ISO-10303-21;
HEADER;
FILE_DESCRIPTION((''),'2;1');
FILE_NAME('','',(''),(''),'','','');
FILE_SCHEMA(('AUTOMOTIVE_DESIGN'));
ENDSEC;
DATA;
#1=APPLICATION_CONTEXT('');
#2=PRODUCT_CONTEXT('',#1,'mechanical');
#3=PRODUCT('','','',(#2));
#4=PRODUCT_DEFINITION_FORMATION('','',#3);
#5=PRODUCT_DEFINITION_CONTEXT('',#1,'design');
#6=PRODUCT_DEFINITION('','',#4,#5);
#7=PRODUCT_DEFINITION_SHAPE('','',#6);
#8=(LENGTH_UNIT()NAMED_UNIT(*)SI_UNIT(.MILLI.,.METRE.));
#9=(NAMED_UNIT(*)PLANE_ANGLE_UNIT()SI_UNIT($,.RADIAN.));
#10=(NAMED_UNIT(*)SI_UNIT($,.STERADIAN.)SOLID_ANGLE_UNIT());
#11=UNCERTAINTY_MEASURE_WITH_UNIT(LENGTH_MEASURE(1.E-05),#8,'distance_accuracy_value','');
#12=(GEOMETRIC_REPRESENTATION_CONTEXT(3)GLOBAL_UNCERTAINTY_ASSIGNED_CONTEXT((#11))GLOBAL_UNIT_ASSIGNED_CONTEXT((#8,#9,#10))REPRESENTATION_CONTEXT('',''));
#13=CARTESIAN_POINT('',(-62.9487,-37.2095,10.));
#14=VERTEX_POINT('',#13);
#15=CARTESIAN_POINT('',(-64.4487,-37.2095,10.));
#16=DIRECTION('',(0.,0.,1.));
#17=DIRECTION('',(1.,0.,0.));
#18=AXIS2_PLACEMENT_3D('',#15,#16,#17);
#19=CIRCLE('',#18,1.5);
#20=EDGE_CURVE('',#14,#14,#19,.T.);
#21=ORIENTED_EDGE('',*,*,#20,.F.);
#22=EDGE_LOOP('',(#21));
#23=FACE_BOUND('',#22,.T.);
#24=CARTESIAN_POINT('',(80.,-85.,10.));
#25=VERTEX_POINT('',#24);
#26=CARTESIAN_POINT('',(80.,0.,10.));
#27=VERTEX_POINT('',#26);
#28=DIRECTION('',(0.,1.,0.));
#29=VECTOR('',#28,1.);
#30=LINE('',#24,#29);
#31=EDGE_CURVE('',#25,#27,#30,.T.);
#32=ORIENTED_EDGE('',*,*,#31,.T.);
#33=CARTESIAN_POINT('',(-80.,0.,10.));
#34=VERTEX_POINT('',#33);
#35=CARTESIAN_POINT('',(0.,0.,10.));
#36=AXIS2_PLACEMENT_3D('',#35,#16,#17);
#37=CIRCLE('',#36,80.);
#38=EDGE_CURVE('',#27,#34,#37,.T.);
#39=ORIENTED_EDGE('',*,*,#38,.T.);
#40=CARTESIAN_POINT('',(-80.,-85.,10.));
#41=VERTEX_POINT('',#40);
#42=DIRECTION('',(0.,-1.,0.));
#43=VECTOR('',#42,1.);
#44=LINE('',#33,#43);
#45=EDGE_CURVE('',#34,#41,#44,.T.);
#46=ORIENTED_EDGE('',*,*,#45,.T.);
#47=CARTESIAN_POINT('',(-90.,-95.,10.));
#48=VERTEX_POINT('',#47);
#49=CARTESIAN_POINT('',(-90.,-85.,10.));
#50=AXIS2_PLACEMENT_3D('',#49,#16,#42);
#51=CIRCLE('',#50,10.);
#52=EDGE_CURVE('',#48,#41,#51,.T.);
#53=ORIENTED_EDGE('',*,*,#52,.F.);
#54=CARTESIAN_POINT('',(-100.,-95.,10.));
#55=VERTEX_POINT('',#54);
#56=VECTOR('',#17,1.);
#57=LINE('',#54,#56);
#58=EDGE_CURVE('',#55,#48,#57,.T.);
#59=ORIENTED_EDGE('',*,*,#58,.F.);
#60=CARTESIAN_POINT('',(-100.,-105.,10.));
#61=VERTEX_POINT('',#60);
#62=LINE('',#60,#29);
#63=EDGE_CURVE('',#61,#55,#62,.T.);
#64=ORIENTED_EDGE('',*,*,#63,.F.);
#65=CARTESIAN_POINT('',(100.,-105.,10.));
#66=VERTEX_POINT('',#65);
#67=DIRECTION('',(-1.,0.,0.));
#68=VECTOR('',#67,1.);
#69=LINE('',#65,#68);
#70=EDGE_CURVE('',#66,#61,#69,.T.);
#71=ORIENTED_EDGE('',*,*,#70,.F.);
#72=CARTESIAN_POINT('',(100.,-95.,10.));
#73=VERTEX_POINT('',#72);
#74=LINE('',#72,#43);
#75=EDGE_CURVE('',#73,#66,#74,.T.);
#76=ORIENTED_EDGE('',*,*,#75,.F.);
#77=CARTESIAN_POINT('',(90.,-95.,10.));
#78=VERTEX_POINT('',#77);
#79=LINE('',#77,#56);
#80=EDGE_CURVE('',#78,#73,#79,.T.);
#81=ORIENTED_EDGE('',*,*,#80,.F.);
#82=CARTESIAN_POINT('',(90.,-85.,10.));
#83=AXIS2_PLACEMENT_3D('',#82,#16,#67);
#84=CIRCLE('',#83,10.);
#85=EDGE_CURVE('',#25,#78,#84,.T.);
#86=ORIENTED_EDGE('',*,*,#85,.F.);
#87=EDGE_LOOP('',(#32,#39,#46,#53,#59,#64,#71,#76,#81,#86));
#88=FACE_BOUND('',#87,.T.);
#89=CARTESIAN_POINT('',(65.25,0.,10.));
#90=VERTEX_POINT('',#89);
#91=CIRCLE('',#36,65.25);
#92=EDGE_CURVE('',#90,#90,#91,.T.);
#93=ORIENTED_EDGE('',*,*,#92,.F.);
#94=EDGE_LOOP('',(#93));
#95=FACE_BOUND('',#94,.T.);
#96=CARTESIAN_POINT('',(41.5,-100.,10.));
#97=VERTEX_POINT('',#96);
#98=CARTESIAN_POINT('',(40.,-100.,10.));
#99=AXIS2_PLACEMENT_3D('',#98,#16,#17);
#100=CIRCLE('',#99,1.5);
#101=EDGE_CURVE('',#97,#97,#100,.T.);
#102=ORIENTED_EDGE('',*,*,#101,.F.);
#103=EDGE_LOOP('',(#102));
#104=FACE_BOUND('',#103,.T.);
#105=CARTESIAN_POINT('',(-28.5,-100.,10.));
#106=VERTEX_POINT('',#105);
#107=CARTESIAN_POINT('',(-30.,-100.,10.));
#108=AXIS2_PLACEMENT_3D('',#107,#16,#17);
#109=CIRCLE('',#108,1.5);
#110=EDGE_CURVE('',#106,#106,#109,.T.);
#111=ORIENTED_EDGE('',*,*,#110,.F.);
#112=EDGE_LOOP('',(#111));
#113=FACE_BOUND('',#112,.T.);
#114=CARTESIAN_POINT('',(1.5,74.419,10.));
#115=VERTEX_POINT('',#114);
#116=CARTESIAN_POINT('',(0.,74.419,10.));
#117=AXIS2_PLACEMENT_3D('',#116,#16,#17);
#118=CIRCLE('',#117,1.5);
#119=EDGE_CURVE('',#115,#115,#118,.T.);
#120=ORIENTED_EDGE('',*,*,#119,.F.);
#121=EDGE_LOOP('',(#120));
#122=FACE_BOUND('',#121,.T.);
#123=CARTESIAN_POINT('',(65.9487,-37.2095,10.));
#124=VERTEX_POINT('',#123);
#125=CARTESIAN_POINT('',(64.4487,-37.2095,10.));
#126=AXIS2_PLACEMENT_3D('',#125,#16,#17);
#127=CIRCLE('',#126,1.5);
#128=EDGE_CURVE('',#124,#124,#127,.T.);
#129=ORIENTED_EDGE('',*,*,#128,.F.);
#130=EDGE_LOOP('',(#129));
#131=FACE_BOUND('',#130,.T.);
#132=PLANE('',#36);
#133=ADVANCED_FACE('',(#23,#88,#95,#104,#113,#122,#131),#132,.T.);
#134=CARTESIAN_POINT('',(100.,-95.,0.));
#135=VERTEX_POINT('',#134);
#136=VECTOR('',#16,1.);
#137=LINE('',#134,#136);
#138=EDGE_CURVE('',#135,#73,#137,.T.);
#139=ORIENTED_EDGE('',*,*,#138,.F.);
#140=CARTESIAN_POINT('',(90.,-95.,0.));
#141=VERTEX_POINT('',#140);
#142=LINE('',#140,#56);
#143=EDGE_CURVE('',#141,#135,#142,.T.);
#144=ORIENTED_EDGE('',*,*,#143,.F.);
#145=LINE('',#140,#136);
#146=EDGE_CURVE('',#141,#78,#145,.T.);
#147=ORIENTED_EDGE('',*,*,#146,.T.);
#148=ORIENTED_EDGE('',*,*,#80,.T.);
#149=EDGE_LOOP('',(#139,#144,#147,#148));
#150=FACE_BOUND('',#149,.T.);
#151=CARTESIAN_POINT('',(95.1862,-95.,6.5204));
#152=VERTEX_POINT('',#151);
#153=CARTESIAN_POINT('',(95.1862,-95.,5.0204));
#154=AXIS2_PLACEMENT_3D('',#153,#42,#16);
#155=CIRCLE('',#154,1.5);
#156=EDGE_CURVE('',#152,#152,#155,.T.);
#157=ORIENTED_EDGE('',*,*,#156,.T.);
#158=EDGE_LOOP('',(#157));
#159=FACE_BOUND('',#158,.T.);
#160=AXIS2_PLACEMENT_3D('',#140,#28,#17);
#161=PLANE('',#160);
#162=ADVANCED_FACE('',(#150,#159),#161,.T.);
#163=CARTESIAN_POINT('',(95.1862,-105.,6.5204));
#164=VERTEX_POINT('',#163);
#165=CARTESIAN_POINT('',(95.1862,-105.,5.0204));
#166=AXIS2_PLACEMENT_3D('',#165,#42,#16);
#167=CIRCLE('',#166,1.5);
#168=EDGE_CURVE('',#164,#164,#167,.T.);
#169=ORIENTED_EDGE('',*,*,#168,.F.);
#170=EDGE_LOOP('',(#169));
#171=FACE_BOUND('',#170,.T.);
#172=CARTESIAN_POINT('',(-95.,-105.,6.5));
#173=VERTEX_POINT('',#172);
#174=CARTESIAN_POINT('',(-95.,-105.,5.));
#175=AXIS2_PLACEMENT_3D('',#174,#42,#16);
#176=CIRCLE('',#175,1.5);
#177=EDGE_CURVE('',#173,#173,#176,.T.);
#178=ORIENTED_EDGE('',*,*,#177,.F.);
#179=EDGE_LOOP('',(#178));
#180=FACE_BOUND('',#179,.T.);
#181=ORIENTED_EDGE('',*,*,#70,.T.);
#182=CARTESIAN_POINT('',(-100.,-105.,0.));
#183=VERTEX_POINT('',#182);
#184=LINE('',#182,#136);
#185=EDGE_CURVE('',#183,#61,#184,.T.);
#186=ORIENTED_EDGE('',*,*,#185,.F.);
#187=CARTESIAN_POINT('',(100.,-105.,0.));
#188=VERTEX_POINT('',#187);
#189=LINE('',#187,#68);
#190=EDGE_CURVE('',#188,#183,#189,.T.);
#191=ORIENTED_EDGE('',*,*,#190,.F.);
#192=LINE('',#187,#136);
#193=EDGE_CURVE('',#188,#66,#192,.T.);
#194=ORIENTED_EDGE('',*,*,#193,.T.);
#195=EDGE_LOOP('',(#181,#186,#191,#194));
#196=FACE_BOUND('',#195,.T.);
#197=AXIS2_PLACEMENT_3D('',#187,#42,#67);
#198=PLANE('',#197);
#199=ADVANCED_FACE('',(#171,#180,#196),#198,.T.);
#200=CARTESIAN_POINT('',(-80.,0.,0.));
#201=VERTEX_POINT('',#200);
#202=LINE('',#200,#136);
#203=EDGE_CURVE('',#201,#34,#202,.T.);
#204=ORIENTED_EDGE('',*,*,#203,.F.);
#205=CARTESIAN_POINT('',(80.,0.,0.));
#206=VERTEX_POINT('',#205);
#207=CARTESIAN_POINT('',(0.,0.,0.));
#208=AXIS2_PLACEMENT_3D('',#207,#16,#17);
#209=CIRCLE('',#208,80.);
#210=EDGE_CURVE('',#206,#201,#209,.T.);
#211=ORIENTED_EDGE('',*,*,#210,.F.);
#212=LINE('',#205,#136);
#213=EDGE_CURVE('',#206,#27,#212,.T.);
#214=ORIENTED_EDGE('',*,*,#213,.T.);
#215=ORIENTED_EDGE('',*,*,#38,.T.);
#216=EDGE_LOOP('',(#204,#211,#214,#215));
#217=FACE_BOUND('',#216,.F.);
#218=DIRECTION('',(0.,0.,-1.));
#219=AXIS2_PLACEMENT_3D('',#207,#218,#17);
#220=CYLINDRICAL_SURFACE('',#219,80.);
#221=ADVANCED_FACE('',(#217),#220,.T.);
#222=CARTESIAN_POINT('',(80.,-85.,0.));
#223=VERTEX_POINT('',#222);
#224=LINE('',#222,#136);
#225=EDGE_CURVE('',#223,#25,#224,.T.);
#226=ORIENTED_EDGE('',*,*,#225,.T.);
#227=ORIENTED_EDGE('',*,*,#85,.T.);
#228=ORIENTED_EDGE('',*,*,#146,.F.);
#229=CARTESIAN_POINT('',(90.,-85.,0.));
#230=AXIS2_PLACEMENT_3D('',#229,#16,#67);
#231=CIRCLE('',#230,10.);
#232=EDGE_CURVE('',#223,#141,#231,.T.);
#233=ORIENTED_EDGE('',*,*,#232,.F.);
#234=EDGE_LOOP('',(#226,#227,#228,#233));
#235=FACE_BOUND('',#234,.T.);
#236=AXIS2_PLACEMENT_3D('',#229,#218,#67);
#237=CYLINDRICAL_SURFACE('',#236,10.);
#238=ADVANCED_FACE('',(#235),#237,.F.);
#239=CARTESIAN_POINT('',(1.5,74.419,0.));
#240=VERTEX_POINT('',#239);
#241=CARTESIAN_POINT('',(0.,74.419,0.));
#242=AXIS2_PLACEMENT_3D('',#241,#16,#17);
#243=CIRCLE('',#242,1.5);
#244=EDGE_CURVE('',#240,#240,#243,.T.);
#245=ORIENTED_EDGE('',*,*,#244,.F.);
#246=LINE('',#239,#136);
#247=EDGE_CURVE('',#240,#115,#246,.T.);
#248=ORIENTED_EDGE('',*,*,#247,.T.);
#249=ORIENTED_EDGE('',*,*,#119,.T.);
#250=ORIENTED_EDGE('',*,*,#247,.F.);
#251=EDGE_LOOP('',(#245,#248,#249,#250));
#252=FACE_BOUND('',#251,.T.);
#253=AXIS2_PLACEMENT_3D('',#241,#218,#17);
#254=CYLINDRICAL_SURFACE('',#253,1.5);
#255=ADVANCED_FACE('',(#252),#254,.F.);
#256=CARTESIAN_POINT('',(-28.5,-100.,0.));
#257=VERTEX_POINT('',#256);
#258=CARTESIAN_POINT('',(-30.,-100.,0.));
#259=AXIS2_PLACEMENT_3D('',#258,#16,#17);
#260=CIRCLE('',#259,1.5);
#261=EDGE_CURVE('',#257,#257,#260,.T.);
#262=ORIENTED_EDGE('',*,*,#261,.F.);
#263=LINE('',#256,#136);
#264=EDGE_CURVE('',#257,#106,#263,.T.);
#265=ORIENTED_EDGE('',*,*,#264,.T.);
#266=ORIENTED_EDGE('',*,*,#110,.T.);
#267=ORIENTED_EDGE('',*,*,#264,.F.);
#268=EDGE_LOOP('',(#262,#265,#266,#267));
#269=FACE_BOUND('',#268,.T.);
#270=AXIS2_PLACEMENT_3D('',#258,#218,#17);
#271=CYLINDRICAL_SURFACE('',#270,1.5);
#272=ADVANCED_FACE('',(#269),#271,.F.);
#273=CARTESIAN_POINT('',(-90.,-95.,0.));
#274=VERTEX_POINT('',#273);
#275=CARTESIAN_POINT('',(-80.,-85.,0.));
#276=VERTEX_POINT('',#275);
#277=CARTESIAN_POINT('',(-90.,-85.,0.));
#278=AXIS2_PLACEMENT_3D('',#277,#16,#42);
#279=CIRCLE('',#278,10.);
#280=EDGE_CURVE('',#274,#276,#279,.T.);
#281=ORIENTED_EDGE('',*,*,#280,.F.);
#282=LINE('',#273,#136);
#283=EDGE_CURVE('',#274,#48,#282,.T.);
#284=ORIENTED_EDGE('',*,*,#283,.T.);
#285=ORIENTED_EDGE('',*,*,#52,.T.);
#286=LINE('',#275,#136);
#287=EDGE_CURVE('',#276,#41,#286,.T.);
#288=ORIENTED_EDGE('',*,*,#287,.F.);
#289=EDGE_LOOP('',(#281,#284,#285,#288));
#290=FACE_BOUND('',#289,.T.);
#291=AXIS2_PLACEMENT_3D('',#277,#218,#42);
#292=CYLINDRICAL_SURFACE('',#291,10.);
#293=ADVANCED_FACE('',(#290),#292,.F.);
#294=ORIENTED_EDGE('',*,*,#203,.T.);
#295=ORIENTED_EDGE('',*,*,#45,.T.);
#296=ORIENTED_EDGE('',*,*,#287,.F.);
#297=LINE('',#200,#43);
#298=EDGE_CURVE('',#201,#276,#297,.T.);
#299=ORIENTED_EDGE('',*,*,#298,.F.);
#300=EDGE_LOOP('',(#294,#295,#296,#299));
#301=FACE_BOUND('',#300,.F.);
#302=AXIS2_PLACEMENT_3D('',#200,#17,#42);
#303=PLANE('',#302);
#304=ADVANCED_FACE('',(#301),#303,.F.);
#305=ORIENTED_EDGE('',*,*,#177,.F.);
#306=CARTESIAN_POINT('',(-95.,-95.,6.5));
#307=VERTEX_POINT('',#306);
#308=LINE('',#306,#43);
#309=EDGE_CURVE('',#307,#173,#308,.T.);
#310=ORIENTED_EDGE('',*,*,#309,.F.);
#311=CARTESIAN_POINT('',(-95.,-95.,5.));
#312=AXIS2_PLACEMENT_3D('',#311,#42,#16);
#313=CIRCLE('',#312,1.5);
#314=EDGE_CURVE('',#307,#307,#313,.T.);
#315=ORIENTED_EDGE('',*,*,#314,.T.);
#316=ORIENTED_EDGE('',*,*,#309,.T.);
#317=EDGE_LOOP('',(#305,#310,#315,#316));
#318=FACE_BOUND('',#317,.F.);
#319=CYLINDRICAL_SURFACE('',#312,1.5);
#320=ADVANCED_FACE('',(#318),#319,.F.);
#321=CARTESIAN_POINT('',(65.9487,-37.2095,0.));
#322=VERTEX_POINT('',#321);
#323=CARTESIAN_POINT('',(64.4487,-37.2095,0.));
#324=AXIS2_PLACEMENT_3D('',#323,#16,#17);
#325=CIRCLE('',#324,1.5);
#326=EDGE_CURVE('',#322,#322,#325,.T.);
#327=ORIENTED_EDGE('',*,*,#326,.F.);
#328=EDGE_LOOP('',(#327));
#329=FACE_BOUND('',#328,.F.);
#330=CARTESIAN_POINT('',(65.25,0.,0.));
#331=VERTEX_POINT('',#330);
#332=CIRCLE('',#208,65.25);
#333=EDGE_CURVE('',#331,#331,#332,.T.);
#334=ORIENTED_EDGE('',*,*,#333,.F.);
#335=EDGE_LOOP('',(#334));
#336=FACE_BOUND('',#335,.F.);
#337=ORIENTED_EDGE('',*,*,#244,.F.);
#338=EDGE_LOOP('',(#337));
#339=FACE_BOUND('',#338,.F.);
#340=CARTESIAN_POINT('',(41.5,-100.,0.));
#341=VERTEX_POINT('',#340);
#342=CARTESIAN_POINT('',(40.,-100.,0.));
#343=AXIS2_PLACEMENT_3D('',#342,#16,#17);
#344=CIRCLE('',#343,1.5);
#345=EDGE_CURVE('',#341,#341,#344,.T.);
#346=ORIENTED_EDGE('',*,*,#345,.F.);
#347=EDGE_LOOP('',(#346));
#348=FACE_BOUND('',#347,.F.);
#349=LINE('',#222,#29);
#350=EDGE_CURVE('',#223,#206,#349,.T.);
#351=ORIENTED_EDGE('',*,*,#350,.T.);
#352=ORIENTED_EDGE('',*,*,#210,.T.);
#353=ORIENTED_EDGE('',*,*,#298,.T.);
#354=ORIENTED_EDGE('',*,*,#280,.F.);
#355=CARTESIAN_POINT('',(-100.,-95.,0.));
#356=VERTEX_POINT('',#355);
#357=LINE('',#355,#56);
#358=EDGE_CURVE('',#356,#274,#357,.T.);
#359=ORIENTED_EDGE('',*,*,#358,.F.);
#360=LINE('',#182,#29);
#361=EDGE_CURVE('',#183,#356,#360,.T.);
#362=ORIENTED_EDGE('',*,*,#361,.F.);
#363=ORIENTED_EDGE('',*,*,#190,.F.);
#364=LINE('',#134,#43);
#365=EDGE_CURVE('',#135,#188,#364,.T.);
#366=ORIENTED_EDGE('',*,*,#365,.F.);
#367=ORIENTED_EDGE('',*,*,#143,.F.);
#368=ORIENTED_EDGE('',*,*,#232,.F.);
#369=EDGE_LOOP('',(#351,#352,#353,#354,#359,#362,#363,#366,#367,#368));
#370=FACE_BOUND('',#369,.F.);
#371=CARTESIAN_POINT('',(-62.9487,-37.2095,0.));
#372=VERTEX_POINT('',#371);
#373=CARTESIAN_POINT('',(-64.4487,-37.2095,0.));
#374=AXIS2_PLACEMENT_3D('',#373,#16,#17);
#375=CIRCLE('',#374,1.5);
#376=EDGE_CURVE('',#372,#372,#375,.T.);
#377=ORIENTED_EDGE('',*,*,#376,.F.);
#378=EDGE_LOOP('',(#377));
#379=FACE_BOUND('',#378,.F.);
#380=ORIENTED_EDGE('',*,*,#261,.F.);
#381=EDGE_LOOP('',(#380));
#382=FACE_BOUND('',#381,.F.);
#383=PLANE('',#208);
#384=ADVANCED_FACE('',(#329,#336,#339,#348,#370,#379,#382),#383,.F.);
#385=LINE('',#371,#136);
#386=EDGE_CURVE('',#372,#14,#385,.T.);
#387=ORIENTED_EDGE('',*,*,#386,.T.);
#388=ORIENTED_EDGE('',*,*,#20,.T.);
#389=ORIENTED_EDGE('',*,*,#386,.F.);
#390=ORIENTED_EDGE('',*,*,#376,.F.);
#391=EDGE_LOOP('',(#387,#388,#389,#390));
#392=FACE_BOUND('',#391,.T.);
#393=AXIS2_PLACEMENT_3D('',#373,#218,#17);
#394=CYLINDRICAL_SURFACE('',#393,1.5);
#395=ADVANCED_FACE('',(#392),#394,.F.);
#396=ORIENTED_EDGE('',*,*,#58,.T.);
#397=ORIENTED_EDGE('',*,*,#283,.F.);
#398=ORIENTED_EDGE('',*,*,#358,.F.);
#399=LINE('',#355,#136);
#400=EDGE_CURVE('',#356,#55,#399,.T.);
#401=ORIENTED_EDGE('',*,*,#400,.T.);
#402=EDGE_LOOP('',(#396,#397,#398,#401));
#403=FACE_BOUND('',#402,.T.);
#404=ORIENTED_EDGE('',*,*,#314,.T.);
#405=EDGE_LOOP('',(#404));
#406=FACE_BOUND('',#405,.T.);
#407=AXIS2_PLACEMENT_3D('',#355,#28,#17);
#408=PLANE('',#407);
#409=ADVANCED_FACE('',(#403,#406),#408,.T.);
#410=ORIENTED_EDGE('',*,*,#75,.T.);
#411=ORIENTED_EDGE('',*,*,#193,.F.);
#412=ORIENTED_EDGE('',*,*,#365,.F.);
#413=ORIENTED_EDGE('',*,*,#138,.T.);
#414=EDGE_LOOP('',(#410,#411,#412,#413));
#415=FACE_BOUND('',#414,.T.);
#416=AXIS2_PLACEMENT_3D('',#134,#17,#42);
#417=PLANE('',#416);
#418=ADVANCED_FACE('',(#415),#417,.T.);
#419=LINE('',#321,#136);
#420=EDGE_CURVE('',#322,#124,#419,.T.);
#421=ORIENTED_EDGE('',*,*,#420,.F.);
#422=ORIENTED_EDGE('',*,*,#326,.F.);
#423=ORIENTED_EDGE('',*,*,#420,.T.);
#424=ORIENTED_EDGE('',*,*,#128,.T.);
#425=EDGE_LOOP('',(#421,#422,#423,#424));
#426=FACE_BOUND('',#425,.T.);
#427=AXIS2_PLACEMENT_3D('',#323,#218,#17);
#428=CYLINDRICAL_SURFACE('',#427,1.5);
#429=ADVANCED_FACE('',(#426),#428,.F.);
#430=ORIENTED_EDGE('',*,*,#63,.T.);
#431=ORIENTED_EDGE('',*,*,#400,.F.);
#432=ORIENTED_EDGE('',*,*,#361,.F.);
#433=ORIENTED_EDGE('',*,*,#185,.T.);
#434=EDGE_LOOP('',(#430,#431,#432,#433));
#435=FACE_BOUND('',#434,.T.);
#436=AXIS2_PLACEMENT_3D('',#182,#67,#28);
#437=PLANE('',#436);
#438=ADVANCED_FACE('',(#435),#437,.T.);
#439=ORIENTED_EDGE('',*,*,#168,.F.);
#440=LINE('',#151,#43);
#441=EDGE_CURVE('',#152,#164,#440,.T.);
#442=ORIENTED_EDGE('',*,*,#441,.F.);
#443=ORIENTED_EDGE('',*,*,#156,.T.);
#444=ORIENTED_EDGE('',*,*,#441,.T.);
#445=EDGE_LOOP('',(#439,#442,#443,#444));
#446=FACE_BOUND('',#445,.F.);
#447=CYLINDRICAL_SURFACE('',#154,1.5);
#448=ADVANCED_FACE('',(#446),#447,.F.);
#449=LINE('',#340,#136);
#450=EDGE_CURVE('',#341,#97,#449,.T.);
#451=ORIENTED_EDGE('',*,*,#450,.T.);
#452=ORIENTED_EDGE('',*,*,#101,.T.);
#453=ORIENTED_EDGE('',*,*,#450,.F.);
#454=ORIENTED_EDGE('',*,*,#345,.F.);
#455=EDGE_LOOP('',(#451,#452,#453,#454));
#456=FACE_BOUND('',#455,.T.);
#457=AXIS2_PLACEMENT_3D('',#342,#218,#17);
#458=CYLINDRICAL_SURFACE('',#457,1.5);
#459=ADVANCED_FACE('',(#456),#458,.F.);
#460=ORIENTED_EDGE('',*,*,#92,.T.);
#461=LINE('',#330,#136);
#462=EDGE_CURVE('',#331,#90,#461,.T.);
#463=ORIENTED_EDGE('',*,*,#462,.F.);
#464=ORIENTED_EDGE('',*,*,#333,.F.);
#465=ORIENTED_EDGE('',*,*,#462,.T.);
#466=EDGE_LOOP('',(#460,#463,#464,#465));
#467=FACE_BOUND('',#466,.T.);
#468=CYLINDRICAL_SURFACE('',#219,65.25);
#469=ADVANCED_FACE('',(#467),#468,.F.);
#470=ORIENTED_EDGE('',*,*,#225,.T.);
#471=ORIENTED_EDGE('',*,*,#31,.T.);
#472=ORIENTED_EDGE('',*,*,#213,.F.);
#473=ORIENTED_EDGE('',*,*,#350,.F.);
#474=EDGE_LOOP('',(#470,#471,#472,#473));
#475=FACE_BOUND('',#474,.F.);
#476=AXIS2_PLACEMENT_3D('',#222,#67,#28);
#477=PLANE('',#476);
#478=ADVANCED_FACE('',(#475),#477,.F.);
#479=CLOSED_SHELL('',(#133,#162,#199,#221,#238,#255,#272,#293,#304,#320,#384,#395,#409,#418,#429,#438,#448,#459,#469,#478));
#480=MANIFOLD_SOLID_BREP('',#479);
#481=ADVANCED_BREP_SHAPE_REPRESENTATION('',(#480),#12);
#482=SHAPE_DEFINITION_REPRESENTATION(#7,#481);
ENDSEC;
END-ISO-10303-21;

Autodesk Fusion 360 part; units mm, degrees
sketch "Sketch1" plane through (0, 0, 0) normal (0, 0, 1) x (1, 0, 0)
  circle A0 centre (0, 0) radius 65.25
  circle A1 centre (0, 0) radius 74.419 construction
  circle A2 centre (0, 74.419) radius 1.5
  circle A3 centre (-64.4487, -37.2095) radius 1.5
  circle A4 centre (64.4487, -37.2095) radius 1.5
  circle A5 centre (0, 0) radius 80
  line L0 (-80, 0) -> (80, 0) construction
  line L1 (-80, 0) -> (-80, -85)
  line L2 (80, -85) -> (80, 0)
  line L3 (-80, -95) -> (-100, -95) construction
  line L4 (-100, -95) -> (-90, -95)
  line L5 (100, -95) -> (100, -105)
  line L6 (100, -105) -> (-100, -105)
  line L7 (-100, -105) -> (-100, -95)
  arc A6 (-90, -95) -> (-80, -85) centre (-90, -85) ccw
  line L8 (90, -95) -> (100, -95)
  arc A7 (80, -85) -> (90, -95) centre (90, -85) ccw
  line L9 (-100, -100) -> (-30, -100) construction
  line L10 (-100, -100) -> (40, -100) construction
  circle A8 centre (-30, -100) radius 1.5
  circle A9 centre (40, -100) radius 1.5
  dimension "d1" = 130.5
  dimension "d4" = 148.838
  dimension "d5" = 3
  dimension "d7" = 360
  dimension "d8" = 160
  dimension "d10" = 200
  dimension "d11" = 10
  dimension "d12" = 10
  dimension "d13" = 10
  dimension "d22" = 105
  dimension "d24" = 70
  dimension "d25" = 140
  dimension "d26" = 3
  dimension "d27" = 3
extrude "Extrude1" add sketch "Sketch1" along normal blind 10
hole "Hole1" at (-95, -95, 5) direction (0, -1, 0) diameter 3 depth 10 tip angle 118
hole "Hole2" at (95.1862, -95, 5.0204) direction (0, -1, 0) diameter 3 depth 10 tip angle 118
equation "d1 = GearboxDia + Tollerance"
equation "GearboxDia = 130 mm"
equation "Tollerance = 0.5 mm"
equation "d4 = ( 74.419 * 2 ) * 1 mm"
equation "d8 = GearboxDia + 30 mm"
equation "d10 = d8 + 40 mm"
equation "d22 = AxleHieght"
equation "AxleHieght = 105 mm"
equation "d24 = ( 210 / 3 ) * 1 mm"
equation "d25 = ( 210 / 3 * 2 ) * 1 mm"
